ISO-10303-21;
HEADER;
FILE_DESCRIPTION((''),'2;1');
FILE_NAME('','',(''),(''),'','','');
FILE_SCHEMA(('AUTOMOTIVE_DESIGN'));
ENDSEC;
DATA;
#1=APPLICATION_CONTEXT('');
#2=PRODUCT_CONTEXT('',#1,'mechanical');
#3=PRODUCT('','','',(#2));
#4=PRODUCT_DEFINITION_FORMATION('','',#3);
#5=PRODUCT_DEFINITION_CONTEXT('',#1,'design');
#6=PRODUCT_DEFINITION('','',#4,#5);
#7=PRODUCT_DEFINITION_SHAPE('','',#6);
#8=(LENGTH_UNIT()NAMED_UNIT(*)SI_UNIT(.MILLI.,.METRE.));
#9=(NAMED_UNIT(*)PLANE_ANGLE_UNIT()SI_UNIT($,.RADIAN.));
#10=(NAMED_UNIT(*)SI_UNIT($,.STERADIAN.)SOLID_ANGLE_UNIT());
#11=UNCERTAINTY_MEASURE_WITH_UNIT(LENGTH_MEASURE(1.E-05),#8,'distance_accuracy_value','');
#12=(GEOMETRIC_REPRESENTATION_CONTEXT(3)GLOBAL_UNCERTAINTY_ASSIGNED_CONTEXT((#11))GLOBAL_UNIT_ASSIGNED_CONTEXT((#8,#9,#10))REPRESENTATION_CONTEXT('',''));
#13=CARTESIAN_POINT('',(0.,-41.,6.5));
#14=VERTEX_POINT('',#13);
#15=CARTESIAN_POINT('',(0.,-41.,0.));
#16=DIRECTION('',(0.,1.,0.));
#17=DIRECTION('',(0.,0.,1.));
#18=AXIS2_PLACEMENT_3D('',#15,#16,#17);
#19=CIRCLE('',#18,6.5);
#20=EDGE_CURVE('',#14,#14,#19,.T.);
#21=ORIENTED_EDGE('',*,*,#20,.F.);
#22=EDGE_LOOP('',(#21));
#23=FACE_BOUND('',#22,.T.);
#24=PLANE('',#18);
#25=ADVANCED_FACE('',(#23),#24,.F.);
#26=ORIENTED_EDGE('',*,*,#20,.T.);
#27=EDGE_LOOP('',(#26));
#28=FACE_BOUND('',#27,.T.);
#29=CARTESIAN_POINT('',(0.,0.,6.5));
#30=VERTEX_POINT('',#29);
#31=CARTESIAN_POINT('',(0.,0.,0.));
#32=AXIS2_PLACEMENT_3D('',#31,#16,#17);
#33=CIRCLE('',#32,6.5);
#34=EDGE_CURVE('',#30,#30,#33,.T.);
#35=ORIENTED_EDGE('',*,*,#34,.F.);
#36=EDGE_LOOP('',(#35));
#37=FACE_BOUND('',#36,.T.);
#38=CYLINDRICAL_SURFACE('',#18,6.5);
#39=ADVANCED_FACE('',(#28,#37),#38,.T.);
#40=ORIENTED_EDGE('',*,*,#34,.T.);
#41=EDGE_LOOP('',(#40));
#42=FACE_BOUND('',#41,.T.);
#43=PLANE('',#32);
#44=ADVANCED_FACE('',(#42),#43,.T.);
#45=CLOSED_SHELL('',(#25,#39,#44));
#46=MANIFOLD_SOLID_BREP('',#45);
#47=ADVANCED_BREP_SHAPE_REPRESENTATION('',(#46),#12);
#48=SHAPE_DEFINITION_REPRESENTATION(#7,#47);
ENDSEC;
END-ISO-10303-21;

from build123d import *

# Parameters (mm, degrees)
SKETCH1_R      = 6.5
EXTRUDE1_DEPTH = 41


with BuildPart() as part:
    # Sketch1 → Extrude1 (new body)
    with BuildSketch(Plane(origin=(0, 0, 0), x_dir=(1, 0, 0), z_dir=(0, 1, 0))):
        with Locations(Location((0, 0, 0), (0, 0, 270))):  # turned: the seam where the file's is
            Circle(SKETCH1_R)
    extrude(amount=-EXTRUDE1_DEPTH)


solid = part.part
